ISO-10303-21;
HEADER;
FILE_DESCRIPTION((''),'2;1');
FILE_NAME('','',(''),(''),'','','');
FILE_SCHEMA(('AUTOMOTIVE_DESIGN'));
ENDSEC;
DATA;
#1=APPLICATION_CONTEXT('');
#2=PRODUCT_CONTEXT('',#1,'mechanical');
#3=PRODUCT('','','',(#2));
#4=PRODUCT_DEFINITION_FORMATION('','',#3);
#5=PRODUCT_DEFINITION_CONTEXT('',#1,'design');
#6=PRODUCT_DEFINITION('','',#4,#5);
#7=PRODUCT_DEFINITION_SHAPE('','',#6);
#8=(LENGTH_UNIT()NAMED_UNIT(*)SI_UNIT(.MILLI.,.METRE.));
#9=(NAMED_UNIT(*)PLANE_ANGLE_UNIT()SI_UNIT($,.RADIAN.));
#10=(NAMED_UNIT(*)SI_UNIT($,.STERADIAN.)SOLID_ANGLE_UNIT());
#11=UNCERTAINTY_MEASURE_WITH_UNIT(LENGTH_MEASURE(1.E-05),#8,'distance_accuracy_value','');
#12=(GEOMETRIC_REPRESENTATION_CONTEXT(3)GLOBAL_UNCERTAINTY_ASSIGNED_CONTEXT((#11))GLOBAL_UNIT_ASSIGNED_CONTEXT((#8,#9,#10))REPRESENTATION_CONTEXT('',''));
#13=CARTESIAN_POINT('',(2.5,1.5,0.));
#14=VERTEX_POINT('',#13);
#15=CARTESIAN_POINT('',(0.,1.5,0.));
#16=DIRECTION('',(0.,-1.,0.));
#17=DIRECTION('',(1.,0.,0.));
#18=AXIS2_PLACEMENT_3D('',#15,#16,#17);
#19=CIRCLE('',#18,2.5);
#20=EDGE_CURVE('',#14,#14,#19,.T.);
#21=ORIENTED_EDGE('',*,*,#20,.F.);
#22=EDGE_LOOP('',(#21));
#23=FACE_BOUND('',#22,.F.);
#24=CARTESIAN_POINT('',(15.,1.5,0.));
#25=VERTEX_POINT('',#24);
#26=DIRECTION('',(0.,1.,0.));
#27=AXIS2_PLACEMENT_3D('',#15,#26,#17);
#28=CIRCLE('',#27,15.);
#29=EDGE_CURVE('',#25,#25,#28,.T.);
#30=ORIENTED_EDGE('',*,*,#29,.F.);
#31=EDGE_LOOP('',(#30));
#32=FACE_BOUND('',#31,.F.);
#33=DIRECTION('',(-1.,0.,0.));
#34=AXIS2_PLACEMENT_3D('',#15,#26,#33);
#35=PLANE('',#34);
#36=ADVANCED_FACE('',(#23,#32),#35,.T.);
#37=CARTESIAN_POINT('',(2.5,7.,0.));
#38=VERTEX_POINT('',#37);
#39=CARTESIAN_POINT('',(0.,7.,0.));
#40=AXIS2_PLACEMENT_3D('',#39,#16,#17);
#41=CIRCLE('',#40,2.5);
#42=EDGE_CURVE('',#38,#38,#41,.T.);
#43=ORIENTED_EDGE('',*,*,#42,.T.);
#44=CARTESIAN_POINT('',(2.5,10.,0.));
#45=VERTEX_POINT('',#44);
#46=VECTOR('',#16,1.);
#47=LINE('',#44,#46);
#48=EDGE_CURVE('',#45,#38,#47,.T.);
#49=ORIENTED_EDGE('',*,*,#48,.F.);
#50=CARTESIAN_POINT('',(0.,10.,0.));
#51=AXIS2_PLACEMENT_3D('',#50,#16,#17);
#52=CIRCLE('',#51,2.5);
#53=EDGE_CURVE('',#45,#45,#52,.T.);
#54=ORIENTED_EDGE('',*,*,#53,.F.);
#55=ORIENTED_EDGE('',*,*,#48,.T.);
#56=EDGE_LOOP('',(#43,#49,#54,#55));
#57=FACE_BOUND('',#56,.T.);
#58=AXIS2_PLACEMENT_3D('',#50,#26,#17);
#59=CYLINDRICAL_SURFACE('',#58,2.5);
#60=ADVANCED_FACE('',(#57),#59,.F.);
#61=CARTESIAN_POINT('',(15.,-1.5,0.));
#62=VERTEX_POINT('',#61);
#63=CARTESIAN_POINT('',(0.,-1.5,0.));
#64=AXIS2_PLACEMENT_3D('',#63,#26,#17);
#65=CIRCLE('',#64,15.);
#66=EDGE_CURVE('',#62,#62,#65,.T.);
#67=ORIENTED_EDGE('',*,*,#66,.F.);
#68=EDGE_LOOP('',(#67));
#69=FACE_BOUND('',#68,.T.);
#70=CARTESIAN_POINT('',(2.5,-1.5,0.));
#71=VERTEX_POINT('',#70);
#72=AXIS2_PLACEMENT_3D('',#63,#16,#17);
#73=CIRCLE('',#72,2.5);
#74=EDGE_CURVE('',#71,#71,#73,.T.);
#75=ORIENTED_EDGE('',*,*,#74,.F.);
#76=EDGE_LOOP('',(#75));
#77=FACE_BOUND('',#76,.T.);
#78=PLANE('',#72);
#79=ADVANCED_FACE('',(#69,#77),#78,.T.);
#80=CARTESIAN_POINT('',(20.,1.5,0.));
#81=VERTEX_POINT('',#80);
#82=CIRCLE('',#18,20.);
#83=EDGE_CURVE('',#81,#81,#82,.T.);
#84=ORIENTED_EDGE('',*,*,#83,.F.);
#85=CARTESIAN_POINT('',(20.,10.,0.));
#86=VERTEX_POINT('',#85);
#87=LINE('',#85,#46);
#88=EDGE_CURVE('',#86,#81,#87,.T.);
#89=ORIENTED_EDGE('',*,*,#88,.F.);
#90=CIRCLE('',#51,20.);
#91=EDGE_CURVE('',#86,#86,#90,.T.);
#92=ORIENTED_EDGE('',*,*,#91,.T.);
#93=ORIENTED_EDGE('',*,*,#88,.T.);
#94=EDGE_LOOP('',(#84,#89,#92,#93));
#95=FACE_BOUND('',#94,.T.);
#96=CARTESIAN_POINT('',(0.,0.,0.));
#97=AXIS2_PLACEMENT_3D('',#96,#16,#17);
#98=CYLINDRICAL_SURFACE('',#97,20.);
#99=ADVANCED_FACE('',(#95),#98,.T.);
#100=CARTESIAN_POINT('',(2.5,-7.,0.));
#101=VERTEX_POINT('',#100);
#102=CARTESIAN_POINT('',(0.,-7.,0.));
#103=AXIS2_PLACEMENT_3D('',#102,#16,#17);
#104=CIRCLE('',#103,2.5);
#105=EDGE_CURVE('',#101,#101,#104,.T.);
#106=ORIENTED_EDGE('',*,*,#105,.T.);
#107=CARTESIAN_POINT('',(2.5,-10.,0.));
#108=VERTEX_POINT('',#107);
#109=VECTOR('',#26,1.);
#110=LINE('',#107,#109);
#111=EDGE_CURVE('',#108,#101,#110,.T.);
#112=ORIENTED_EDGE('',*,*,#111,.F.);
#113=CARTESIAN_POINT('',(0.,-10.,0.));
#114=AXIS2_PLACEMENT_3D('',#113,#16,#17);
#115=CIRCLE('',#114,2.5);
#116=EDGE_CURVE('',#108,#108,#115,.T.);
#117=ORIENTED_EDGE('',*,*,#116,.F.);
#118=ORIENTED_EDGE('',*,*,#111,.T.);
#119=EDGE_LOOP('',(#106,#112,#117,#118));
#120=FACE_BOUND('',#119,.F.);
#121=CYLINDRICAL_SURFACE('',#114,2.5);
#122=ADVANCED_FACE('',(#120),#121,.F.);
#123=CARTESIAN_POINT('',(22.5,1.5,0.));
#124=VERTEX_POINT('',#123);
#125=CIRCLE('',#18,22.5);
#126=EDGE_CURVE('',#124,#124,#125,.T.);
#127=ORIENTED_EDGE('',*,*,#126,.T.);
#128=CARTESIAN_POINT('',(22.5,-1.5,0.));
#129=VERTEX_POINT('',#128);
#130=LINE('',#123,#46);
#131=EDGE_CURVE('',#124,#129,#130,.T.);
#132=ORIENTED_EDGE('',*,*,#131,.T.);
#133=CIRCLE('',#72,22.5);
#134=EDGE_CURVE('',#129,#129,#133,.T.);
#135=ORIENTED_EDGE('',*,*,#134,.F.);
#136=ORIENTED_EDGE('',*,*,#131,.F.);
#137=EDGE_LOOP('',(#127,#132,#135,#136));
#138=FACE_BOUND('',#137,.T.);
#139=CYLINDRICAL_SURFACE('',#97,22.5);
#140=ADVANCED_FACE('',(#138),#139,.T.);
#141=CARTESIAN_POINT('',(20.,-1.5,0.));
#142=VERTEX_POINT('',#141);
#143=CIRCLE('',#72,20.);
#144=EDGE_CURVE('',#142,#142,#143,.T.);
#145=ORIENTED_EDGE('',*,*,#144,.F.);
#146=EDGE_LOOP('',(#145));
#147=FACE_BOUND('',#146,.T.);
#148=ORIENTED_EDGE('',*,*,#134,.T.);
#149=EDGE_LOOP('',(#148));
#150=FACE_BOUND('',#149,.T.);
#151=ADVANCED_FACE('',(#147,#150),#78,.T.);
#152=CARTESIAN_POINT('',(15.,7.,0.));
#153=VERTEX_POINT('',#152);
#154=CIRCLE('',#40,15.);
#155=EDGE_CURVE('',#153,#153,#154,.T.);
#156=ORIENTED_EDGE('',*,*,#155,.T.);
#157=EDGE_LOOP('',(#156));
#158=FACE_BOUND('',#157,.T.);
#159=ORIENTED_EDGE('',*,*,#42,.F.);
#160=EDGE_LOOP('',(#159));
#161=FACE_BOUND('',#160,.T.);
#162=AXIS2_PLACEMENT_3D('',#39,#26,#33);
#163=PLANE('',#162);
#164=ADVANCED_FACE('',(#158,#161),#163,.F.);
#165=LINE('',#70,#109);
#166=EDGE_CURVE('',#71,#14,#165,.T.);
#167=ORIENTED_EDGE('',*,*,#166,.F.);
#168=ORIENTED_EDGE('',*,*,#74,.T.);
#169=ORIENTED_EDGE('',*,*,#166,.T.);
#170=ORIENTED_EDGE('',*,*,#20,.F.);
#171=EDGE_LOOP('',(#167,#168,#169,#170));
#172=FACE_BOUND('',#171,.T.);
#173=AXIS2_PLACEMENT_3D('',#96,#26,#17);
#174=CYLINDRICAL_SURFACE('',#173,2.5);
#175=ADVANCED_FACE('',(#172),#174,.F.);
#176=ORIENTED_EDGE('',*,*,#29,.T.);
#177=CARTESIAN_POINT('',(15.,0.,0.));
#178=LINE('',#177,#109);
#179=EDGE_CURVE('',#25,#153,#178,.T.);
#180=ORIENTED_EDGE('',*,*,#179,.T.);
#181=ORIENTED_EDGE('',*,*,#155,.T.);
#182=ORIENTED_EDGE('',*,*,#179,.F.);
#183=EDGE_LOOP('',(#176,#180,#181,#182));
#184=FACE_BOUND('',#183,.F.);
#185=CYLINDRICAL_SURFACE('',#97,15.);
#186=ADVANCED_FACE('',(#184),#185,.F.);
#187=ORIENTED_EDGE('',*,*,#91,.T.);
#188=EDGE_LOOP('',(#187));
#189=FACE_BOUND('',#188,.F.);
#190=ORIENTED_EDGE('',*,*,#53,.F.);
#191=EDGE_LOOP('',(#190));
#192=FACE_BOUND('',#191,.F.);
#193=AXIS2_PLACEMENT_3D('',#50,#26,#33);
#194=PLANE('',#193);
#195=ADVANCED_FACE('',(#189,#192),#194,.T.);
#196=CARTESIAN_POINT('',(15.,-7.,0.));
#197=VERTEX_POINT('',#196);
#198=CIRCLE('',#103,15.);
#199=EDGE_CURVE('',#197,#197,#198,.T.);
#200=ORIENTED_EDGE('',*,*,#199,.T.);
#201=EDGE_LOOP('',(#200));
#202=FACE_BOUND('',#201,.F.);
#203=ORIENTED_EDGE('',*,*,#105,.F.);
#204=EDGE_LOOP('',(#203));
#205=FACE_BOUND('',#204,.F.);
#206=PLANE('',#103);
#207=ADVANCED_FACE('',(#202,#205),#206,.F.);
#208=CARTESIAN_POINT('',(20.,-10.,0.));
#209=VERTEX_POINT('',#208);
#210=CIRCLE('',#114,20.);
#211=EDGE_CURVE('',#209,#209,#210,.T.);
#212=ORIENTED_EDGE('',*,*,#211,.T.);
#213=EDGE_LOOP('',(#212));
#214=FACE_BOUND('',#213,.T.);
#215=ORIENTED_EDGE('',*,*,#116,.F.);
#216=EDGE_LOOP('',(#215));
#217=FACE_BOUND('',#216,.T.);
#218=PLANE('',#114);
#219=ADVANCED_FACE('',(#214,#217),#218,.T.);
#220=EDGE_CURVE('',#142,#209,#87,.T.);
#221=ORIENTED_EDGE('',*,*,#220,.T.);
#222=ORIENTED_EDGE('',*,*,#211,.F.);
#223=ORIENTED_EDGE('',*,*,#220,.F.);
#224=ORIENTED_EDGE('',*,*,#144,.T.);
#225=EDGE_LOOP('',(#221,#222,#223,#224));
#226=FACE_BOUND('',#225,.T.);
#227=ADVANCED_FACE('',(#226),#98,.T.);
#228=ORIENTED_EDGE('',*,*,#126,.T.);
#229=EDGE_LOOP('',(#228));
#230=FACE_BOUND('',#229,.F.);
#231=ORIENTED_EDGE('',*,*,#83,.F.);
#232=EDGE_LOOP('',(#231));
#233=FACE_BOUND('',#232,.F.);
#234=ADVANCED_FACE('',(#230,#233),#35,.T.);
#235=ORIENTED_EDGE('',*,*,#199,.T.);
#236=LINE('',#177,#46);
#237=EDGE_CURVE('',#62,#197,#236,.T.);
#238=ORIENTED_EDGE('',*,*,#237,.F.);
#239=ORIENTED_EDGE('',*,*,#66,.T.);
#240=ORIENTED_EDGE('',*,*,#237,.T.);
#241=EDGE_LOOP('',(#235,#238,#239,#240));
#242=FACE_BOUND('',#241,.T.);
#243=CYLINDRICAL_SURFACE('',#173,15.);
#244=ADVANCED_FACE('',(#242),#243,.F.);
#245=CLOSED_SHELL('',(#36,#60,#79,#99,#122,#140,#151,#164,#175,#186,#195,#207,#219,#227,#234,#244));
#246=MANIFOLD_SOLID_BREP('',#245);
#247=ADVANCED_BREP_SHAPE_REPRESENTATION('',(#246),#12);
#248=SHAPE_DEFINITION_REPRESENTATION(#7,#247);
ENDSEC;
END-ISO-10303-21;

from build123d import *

# Parameters (mm, degrees)
F0_R     = 20
F0_R_2   = 15
F1_DEPTH = 10
F3_R     = 22.5
F3_R_2   = 2.5
F4_DEPTH = 1.5
F7_R     = 15
F7_R_2   = 2.5
F8_DEPTH = 3


with BuildPart() as f1:
    # F0 (on Front) → F1 (new body)
    with BuildSketch(Plane.XZ):
        Circle(F0_R)
        Circle(F0_R_2, mode=Mode.SUBTRACT)
    extrude(amount=F1_DEPTH)

    # F2: F1 across plane


with BuildPart() as f1_1:
    add(f1.part)
    add(f1.part.mirror(Plane.XZ))

    # F3 (on Front) → F4 (join)
    with BuildSketch(Plane.XZ):
        Circle(F3_R)
        Circle(F3_R_2, mode=Mode.SUBTRACT)
    extrude(amount=F4_DEPTH)

    # F5: F1 across plane


with BuildPart() as f1_2:
    add(f1_1.part)
    add(f1_1.part.mirror(Plane.XZ))

    # F7 (on offset) → F8 (join)
    with BuildSketch(Plane.XZ.offset(10)):
        Circle(F7_R)
        Circle(F7_R_2, mode=Mode.SUBTRACT)
    extrude(amount=-F8_DEPTH)

    # F9: F1 across plane


with BuildPart() as f1_3:
    add(f1_2.part)
    add(f1_2.part.mirror(Plane.XZ))


solid = f1_3.part
